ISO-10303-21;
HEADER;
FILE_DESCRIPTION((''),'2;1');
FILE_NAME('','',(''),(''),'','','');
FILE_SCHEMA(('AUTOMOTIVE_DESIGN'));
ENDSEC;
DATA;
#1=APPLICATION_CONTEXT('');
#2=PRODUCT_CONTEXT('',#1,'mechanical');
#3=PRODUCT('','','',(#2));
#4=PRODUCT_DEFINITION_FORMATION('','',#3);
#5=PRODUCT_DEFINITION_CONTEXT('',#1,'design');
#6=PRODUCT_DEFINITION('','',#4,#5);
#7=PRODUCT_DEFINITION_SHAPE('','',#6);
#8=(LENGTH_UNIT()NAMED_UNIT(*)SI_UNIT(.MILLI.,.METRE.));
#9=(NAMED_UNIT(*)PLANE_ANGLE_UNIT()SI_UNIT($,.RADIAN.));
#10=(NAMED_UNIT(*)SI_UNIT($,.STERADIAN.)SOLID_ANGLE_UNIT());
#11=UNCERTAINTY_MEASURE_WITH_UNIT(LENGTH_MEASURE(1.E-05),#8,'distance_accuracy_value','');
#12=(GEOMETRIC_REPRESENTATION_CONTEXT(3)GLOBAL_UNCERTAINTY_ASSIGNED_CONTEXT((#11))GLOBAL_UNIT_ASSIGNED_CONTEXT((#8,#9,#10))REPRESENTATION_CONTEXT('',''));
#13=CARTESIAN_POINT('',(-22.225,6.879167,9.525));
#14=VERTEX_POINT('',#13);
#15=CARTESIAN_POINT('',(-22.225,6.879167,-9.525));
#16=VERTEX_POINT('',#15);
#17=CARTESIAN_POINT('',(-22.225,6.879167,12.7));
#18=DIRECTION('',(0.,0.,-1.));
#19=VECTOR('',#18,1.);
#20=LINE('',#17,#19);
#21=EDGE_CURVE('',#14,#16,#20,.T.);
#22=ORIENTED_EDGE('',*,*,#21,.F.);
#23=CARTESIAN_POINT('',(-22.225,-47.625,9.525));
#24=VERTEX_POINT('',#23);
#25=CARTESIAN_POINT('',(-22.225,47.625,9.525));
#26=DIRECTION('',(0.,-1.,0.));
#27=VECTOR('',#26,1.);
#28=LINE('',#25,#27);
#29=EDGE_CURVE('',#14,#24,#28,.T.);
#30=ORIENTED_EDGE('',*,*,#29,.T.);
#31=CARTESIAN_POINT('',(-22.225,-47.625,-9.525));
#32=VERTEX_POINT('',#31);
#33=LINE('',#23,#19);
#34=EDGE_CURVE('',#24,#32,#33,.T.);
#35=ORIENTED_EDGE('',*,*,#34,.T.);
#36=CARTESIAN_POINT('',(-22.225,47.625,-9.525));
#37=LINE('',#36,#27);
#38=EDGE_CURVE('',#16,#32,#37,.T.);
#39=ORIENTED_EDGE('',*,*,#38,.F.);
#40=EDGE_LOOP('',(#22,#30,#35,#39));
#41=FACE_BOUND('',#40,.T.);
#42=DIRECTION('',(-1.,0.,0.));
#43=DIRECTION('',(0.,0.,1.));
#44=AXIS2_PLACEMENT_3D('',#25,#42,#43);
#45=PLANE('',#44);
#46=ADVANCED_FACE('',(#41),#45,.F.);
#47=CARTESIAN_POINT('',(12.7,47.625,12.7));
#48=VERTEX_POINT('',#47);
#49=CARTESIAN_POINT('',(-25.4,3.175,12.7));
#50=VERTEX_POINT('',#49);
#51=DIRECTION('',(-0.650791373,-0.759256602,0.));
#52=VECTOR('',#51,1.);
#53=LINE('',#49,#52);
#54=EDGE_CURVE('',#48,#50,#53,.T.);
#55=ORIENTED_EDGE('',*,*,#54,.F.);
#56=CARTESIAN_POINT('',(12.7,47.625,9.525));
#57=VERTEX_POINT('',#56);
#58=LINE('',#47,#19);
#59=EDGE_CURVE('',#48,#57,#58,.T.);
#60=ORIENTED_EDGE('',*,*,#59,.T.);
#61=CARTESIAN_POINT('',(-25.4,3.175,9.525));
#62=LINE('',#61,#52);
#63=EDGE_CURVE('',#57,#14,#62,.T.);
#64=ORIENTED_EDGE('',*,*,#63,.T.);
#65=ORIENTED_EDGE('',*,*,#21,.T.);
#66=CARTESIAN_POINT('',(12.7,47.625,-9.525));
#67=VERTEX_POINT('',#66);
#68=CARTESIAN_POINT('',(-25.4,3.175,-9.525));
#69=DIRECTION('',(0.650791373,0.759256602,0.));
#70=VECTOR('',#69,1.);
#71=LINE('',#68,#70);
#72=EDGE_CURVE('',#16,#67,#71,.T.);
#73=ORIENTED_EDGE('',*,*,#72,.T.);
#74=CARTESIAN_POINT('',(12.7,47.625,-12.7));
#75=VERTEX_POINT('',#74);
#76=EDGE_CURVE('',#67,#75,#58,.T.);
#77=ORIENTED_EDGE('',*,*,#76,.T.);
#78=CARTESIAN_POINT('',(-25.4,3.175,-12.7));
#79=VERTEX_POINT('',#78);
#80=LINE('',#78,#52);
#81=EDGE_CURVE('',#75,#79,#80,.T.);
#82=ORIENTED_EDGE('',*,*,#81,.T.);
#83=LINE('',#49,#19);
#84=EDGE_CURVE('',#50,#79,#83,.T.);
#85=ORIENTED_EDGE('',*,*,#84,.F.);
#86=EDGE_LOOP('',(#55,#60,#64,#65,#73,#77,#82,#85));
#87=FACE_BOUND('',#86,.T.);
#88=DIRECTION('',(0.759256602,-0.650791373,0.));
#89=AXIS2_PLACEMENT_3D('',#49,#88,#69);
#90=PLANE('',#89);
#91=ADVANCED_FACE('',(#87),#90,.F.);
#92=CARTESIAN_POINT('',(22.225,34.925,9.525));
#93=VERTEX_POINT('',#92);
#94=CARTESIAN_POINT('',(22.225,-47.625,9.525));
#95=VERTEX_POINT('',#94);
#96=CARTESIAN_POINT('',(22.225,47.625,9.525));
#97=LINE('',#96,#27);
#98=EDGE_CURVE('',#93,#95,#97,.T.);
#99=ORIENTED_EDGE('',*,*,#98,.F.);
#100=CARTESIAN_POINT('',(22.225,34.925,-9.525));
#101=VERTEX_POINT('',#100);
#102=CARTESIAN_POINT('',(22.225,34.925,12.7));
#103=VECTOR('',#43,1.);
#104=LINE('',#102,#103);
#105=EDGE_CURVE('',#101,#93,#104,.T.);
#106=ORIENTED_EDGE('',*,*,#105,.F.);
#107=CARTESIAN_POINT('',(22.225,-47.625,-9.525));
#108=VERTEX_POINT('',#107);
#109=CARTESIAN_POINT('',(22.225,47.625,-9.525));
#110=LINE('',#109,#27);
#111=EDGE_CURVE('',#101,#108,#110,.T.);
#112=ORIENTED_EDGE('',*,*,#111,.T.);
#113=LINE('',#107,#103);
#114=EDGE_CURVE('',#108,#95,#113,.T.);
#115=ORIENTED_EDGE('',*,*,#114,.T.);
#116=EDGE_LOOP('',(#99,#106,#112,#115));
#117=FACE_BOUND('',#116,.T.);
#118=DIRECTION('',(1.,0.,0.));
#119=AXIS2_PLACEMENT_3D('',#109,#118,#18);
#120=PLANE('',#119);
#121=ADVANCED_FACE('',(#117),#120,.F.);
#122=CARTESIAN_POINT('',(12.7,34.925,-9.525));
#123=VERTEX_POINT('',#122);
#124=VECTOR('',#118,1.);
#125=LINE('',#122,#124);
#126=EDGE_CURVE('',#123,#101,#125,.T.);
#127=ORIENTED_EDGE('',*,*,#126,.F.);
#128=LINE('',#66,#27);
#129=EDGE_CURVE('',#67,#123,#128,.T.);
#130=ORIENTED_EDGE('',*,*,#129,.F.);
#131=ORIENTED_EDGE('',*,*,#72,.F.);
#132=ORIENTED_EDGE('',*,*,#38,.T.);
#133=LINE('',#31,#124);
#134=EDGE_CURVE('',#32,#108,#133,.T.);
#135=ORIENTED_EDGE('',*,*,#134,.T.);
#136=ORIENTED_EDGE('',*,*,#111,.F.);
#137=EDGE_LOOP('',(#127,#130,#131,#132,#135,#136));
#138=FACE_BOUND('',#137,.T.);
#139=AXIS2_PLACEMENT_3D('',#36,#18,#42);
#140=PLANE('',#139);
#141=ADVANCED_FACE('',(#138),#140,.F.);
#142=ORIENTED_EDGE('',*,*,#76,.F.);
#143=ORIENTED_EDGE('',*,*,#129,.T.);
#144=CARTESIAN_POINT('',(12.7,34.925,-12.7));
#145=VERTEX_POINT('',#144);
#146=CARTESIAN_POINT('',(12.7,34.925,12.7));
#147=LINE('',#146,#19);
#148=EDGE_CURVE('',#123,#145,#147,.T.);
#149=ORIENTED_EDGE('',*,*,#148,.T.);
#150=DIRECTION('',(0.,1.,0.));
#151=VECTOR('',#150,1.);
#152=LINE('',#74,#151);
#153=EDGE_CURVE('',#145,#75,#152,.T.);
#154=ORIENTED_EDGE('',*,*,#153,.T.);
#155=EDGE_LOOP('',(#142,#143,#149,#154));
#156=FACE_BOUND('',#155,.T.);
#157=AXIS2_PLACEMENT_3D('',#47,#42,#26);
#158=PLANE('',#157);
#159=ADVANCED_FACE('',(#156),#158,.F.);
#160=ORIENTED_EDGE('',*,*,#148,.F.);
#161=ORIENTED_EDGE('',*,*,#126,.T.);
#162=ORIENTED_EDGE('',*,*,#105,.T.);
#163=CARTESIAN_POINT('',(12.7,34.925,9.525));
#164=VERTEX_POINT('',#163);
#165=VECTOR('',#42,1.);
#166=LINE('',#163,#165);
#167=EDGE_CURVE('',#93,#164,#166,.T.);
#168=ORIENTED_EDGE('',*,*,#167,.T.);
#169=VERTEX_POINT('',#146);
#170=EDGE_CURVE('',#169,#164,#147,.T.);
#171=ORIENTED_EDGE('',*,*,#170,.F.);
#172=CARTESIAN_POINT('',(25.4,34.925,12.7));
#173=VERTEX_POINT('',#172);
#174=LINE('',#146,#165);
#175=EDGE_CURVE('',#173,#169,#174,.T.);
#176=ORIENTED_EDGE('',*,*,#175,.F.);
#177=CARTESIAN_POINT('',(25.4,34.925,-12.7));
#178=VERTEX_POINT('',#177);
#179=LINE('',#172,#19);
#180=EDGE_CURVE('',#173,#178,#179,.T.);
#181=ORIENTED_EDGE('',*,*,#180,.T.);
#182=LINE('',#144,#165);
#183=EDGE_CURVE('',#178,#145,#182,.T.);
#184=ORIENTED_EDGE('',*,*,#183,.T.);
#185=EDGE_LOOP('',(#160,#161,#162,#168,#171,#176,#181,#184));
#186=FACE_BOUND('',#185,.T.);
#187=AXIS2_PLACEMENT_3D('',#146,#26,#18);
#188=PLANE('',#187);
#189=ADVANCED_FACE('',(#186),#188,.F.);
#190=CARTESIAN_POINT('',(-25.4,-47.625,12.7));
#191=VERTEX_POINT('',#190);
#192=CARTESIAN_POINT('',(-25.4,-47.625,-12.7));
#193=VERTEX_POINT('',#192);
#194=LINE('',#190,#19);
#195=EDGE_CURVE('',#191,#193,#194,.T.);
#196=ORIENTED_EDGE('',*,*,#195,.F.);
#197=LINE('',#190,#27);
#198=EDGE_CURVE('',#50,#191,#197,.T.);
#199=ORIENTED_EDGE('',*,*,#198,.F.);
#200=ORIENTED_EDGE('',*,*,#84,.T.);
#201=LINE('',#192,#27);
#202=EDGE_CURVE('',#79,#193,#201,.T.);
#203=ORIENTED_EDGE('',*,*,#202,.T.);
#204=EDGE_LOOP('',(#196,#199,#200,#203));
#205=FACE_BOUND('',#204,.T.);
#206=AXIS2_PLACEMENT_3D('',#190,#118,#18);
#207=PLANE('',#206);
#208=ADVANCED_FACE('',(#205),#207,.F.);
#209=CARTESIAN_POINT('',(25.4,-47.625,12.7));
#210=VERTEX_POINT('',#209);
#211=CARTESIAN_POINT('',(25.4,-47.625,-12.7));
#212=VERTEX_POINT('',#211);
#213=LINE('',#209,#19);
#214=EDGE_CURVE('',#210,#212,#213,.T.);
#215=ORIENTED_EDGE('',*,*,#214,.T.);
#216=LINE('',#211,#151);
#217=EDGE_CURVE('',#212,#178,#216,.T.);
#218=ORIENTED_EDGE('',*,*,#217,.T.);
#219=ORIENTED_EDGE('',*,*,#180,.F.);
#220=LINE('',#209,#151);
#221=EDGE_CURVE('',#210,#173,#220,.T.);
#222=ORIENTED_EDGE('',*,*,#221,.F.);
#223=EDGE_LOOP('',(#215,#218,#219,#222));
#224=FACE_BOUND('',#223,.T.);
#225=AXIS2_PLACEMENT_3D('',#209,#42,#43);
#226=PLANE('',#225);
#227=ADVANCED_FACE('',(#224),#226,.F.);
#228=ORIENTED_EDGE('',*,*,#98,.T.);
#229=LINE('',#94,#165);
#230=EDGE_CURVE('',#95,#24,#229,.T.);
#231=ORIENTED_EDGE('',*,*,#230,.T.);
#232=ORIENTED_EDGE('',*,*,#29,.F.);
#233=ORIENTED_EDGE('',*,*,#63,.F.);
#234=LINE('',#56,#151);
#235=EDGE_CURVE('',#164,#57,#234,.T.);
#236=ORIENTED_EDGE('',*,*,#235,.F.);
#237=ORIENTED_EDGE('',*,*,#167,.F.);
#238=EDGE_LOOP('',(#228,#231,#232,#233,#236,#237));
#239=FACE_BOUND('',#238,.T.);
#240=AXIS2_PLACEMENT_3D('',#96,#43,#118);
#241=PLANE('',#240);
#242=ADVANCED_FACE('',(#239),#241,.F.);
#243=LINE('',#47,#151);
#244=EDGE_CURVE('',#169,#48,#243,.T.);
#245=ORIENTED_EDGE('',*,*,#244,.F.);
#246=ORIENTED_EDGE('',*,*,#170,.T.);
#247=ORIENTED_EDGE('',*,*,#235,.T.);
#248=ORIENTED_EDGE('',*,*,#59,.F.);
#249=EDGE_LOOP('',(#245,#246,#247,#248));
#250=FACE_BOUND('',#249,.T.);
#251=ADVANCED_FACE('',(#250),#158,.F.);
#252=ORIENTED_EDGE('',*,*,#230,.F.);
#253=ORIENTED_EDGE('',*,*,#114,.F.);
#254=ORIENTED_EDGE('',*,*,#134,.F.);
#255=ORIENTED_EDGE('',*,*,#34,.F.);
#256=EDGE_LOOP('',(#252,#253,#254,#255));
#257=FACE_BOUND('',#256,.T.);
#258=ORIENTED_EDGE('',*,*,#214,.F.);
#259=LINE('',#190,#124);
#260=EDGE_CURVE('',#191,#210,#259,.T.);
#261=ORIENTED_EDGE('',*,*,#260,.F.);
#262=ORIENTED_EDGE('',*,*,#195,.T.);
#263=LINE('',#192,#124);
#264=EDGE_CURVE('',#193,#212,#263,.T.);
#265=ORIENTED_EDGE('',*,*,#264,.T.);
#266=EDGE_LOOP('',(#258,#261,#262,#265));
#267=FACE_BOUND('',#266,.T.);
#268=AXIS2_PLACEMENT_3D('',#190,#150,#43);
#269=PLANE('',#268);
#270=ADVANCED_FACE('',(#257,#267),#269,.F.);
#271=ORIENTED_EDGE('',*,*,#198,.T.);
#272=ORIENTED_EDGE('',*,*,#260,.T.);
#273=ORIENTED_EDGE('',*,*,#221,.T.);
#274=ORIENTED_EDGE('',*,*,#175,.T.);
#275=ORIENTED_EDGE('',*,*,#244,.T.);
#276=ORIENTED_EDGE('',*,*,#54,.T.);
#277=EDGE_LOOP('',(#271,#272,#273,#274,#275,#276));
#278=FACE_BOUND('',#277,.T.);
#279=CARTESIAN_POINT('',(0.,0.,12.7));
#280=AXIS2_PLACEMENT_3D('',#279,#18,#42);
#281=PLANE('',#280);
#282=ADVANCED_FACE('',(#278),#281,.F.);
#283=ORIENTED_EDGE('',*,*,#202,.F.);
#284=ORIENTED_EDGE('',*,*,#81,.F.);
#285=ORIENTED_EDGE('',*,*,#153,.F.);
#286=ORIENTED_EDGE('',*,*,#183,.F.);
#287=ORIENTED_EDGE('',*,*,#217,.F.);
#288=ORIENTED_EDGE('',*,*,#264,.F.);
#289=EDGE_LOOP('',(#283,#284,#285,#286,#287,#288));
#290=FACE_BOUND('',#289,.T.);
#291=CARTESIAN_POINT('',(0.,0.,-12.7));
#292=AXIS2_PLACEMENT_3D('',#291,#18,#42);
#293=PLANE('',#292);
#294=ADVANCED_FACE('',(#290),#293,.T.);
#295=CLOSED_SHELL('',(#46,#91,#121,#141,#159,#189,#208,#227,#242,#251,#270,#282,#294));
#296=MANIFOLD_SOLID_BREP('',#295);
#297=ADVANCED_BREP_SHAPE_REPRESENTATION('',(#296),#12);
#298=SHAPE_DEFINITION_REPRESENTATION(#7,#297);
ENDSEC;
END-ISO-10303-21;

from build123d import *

# Parameters (mm, degrees)
BOSS_EXTRUDE1_DEPTH = 12.7
SKETCH2_W           = 44.45
SKETCH2_H           = 19.05
CUT_EXTRUDE1_DEPTH  = 100.3932216


with BuildPart() as part:
    # Sketch1 → Boss-Extrude1 (new, symmetric)
    with BuildSketch(Plane.XY):
        Polygon((-25.4, -47.625), (25.4, -47.625), (25.4, 34.925), (12.7, 34.925), (12.7, 47.625), (-25.4, 3.175), align=None)
    extrude(amount=BOSS_EXTRUDE1_DEPTH, both=True)

    # Sketch2 → Cut-Extrude1 (cut, through all)
    with BuildSketch(Plane.XZ.offset(47.625)):
        Rectangle(SKETCH2_W, SKETCH2_H)
    extrude(amount=-CUT_EXTRUDE1_DEPTH, mode=Mode.SUBTRACT)


solid = part.part
